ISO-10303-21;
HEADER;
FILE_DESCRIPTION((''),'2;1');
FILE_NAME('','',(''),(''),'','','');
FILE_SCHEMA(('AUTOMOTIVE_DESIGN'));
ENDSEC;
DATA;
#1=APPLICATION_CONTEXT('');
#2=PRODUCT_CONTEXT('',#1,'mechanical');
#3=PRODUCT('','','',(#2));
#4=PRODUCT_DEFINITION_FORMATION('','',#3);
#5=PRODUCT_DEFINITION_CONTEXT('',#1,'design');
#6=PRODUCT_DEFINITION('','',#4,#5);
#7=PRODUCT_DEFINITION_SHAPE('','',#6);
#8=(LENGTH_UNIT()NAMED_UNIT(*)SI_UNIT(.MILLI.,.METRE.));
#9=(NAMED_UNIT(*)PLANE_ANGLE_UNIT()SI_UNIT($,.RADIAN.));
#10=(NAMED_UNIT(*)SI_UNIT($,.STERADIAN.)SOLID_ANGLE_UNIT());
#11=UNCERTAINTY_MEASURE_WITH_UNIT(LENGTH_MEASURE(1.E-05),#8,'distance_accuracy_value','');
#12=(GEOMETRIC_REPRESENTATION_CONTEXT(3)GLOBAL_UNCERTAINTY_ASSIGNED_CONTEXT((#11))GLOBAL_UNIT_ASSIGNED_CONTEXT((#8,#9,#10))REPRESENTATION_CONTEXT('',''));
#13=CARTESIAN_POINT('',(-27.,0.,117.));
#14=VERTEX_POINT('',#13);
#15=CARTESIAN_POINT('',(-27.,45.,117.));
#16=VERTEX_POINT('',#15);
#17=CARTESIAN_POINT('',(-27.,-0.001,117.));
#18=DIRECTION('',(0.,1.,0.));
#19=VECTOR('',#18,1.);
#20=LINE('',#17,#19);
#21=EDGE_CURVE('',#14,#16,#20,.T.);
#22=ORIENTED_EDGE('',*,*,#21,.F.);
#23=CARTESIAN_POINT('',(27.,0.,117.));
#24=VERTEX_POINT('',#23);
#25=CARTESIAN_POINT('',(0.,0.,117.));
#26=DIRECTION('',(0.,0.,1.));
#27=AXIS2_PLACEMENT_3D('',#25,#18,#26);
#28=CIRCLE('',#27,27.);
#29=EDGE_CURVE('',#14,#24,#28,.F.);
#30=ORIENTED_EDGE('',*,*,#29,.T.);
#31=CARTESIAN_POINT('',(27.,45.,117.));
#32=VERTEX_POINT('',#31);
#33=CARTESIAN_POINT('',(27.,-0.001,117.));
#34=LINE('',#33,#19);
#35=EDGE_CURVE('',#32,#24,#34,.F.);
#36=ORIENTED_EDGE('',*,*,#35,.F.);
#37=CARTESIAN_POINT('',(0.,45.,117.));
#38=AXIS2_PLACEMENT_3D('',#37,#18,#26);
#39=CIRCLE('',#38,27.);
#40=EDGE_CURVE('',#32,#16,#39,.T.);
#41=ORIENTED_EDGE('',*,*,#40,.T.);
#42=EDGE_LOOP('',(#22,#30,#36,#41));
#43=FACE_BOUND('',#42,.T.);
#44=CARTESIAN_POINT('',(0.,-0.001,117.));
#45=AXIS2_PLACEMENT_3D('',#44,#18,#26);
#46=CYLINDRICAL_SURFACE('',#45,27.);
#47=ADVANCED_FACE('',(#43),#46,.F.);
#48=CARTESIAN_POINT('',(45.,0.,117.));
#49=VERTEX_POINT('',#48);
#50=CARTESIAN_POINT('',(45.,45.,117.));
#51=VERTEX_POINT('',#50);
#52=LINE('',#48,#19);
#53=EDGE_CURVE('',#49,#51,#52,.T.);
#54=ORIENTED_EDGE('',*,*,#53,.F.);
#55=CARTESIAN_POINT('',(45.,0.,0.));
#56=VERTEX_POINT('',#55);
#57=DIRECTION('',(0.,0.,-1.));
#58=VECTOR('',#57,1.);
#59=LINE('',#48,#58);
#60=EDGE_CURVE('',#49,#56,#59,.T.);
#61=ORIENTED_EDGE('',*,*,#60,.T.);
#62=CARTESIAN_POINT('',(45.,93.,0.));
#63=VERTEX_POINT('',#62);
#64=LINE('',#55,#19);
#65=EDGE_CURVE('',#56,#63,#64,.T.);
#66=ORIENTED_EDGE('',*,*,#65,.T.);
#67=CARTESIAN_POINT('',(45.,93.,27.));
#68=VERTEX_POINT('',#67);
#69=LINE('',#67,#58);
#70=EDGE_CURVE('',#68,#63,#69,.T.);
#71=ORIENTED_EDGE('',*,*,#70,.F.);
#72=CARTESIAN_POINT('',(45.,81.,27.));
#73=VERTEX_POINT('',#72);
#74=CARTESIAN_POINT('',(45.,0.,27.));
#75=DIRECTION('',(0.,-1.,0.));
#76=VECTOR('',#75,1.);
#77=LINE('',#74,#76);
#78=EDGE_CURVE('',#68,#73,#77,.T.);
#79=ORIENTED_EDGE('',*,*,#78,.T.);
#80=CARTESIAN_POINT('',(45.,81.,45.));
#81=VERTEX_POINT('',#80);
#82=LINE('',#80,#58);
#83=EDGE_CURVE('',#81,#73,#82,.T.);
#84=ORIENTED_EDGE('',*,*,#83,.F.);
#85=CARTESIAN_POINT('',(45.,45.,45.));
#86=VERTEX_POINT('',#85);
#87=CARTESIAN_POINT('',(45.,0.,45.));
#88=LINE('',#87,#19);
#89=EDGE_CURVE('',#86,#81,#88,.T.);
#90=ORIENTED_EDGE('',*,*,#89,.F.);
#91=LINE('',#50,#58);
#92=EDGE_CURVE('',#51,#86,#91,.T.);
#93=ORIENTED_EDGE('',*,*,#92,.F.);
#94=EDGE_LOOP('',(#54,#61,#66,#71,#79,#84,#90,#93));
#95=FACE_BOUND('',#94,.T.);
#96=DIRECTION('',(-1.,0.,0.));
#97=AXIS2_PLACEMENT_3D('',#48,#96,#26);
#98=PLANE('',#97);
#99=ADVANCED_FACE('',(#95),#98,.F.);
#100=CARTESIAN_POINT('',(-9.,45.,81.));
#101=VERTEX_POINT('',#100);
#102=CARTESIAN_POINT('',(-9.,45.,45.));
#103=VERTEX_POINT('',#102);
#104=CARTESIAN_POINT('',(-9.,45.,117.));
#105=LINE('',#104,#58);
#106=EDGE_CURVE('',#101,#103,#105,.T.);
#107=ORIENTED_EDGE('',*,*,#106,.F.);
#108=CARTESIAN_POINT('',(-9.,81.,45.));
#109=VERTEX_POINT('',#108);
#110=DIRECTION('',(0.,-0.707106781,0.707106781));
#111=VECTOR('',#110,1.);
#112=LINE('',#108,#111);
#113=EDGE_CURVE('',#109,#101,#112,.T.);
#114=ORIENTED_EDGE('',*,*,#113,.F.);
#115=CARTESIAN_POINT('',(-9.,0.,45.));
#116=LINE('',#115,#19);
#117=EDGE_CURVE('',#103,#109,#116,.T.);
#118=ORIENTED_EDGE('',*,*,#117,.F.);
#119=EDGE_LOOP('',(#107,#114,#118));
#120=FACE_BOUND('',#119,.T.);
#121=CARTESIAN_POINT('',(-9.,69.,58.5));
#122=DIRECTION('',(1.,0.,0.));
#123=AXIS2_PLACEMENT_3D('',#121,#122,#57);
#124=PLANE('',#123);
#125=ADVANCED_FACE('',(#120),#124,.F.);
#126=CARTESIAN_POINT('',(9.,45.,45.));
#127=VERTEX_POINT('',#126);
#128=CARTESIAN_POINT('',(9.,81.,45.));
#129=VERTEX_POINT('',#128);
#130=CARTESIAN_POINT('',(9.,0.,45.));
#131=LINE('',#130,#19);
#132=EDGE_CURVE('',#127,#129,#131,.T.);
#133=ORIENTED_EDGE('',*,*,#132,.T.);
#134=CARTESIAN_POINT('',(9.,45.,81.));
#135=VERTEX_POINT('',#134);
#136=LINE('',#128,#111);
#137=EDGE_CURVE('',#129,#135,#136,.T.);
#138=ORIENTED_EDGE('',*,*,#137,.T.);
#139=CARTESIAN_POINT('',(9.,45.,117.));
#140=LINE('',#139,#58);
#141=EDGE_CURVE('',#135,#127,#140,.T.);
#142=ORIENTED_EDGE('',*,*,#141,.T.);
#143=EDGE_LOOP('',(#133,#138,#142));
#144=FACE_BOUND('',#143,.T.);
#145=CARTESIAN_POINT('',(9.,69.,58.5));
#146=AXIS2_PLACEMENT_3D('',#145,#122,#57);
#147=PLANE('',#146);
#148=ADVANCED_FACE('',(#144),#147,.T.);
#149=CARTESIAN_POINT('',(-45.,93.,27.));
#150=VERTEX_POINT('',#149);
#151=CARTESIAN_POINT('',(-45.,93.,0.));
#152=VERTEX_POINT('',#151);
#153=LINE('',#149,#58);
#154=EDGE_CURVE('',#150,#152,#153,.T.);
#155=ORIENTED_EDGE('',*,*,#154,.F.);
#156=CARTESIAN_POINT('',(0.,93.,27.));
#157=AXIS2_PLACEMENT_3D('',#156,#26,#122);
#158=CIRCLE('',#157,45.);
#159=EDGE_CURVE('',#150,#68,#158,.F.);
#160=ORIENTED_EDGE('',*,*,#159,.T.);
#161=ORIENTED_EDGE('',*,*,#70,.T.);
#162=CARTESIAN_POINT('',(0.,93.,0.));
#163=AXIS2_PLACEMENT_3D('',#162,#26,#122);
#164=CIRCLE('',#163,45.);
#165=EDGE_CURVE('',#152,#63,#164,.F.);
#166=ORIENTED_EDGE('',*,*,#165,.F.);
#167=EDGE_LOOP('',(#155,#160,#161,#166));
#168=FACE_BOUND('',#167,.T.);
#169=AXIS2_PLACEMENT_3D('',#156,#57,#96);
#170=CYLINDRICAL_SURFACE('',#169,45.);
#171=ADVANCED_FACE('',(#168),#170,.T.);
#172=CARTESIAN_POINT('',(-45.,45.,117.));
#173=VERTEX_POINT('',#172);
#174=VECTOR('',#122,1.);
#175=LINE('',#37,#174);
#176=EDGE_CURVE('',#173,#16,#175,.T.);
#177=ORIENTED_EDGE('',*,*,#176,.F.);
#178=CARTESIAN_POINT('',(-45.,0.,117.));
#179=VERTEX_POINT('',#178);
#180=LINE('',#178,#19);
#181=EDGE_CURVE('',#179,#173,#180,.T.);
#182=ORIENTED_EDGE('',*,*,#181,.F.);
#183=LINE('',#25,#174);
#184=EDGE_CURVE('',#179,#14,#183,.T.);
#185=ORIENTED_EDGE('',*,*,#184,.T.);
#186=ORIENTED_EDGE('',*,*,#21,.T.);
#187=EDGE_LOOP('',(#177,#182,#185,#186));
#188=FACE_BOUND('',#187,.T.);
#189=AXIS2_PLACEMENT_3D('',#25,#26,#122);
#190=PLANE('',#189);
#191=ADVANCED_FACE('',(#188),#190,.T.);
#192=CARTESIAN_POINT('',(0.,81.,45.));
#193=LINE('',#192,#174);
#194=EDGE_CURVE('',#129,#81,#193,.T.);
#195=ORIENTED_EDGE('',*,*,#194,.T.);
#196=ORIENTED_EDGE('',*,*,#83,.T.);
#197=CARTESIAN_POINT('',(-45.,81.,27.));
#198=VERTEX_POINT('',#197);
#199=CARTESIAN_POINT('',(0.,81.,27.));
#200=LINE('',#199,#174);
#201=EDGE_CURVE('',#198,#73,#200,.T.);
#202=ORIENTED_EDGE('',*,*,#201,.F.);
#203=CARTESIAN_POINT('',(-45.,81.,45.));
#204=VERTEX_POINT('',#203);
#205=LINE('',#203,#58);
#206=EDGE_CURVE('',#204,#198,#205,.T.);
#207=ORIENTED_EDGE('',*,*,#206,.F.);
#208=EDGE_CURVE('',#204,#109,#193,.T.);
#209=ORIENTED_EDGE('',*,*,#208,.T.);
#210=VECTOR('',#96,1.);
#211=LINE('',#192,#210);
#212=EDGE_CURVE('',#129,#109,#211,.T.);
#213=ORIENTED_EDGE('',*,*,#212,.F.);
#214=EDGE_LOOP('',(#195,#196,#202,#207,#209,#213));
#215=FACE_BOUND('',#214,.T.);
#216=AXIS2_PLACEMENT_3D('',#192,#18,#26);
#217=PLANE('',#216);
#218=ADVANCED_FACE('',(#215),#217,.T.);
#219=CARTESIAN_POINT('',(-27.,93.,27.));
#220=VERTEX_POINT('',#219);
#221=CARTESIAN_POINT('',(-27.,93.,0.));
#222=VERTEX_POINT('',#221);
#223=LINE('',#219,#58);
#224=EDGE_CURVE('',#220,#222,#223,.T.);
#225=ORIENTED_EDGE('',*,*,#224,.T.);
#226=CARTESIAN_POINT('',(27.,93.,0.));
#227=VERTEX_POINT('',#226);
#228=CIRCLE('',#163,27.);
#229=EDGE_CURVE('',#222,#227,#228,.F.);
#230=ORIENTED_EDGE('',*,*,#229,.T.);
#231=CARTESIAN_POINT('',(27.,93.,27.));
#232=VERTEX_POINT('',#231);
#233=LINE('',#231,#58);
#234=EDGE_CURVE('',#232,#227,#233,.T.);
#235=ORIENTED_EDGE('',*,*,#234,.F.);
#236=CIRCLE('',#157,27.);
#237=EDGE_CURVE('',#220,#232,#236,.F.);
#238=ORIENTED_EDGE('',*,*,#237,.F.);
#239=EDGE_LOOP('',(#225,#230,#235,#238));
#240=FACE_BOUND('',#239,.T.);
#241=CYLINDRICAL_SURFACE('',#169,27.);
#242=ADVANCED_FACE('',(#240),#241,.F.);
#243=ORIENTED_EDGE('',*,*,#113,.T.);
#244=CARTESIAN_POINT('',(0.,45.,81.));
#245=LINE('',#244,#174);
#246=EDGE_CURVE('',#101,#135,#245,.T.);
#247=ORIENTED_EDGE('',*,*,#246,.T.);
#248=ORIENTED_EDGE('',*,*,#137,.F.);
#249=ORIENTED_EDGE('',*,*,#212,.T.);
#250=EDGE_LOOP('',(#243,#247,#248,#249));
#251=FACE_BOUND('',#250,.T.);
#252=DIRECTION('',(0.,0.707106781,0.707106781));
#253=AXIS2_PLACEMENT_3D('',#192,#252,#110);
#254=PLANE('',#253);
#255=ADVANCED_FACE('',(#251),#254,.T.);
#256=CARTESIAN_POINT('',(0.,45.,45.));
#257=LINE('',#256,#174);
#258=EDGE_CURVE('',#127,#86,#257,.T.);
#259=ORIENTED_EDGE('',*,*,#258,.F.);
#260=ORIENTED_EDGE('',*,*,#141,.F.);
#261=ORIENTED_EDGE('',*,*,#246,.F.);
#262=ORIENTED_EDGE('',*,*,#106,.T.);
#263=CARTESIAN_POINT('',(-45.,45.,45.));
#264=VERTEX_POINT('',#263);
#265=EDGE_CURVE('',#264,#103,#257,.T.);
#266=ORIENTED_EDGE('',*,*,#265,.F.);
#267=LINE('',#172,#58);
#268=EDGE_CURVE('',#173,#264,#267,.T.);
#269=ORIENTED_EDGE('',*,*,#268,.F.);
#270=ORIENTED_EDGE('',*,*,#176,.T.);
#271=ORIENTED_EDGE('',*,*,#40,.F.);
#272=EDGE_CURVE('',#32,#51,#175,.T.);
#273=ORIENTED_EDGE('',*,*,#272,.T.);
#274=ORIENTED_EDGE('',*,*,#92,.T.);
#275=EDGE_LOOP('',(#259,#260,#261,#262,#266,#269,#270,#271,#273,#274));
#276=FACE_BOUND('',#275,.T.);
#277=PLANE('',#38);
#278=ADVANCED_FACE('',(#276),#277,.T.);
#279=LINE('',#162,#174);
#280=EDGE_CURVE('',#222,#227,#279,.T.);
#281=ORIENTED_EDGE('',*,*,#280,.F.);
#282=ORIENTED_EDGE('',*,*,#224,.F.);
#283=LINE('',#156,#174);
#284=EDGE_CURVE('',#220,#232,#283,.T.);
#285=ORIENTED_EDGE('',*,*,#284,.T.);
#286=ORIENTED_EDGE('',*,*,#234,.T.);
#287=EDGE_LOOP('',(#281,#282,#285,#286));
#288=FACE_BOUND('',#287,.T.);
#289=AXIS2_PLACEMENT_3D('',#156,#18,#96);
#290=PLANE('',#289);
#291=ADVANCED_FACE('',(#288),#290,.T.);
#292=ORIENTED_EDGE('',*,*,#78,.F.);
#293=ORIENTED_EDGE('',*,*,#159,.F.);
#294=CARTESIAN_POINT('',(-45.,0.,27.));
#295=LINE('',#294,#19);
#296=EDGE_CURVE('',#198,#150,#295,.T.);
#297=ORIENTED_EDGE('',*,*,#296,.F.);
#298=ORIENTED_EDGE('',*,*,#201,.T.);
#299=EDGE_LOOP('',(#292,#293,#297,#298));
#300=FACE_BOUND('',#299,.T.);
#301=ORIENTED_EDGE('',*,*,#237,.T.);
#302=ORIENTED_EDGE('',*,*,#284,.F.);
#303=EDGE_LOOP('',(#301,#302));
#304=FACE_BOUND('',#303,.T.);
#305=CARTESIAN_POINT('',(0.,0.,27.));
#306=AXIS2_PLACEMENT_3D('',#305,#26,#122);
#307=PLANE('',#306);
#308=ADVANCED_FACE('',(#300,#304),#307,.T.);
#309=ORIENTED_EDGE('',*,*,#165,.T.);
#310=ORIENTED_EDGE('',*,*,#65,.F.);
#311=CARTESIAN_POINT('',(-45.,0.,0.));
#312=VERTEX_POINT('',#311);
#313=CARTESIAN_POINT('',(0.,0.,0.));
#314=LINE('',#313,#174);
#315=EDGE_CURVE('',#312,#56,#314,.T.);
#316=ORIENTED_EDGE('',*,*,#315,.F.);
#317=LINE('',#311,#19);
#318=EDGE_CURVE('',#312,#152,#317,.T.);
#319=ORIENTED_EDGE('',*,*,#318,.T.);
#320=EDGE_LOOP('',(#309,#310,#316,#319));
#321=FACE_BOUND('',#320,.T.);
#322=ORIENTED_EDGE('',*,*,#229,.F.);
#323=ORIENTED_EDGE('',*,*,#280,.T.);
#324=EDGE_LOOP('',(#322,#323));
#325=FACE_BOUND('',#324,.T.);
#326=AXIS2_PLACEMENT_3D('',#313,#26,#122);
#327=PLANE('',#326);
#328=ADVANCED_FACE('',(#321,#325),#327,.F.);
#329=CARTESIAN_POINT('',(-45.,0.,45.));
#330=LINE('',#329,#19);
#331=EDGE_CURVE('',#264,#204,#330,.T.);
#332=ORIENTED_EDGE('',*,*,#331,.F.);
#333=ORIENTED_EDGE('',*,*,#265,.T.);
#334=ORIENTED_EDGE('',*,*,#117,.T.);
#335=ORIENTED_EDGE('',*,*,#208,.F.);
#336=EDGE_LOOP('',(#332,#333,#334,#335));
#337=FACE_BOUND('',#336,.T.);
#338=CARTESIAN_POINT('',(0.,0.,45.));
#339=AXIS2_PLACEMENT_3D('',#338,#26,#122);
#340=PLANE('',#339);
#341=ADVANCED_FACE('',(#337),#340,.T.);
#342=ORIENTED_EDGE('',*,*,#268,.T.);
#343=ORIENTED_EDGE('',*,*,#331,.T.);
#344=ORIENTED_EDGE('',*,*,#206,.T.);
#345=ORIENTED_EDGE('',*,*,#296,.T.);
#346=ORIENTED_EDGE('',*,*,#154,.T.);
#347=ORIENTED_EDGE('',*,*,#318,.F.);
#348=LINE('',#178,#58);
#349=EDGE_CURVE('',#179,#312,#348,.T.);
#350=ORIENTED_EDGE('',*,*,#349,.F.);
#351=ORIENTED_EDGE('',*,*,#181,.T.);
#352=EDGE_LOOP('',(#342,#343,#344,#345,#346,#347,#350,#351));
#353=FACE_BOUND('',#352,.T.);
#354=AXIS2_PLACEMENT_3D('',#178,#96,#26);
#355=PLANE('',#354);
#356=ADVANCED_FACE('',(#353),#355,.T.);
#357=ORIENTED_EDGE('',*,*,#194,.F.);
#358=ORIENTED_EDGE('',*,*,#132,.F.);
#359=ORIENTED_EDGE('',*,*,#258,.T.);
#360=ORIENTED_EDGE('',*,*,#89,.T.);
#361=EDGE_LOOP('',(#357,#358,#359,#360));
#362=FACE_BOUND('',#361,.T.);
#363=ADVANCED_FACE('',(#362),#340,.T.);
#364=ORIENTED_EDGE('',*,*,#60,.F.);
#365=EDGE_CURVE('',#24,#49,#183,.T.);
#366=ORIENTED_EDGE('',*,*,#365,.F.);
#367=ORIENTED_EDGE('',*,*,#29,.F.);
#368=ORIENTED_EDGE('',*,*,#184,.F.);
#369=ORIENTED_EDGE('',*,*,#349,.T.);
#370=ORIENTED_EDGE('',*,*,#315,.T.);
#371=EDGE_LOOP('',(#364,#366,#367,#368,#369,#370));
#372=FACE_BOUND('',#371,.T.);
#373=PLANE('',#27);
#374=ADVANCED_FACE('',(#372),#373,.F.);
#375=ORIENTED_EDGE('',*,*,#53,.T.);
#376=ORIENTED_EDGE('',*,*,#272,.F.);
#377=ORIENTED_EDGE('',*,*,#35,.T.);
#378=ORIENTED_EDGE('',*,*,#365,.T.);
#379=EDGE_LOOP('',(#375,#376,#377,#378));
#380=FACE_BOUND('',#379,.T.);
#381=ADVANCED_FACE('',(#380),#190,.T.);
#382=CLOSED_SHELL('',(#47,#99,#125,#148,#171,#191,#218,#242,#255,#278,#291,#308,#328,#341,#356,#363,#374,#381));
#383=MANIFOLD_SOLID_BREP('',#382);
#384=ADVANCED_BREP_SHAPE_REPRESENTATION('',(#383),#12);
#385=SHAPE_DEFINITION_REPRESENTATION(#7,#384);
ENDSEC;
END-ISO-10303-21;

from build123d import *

# Parameters (mm, degrees)
SKETCH1_W           = 90
SKETCH1_H           = 45
BOSS_EXTRUDE1_DEPTH = 117
SKETCH1_3_W         = 90
SKETCH1_3_H         = 36
BOSS_EXTRUDE2_DEPTH = 45
BOSS_EXTRUDE3_DEPTH = 27
RIB2_REACH          = 188.435
SKETCH2_WALL_W      = 425.781638764
SKETCH2_WALL_H      = 18
CUT_EXTRUDE1_REACH  = 158.087
SKETCH3_R           = 27


with BuildPart() as part:
    # Sketch1 → Boss-Extrude1 (new body)
    with BuildSketch(Plane.XY):
        with Locations((0, 22.5)):
            Rectangle(SKETCH1_W, SKETCH1_H)
    extrude(amount=BOSS_EXTRUDE1_DEPTH)

    # Sketch1<3> → Boss-Extrude2 (add)
    with BuildSketch(Plane.XY):
        with Locations((0, 63)):
            Rectangle(SKETCH1_3_W, SKETCH1_3_H)
    extrude(amount=BOSS_EXTRUDE2_DEPTH)

    # Sketch1<4> → Boss-Extrude3 (add)
    with BuildSketch(Plane.XY):
        with BuildLine():
            Line((-45, 93), (-45, 81))
            Line((-45, 81), (45, 81))
            Line((45, 81), (45, 93))
            ThreePointArc((45, 93), (0, 138), (-45, 93))
        make_face()
        with BuildLine():
            Line((27, 93), (-27, 93))
            ThreePointArc((-27, 93), (0, 120), (27, 93))
        make_face(mode=Mode.SUBTRACT)
    extrude(amount=BOSS_EXTRUDE3_DEPTH)

    # Sketch2 wall → Rib2 (add, up to next)
    with BuildSketch(Plane(origin=(0, 63, 63), x_dir=(0, -0.707106781187, 0.707106781187), z_dir=(0, -0.707106781187, -0.707106781187)), mode=Mode.PRIVATE) as rib2_sk1:
        Rectangle(SKETCH2_WALL_W, SKETCH2_WALL_H)
    rib2_tool1 = extrude(rib2_sk1.sketch, amount=RIB2_REACH, mode=Mode.PRIVATE) - part.part
    add(rib2_tool1.solids().sort_by_distance((0, 63, 63))[0])

    # Sketch3 → Cut-Extrude1 (cut, up to next)
    with BuildSketch(Plane(origin=(0, 45, 0), x_dir=(1, 0, 0), z_dir=(0, 1, 0)), mode=Mode.PRIVATE) as cut_extrude1_sk1:
        with Locations((0, -117)):
            Circle(SKETCH3_R)
    cut_extrude1_tool1 = extrude(cut_extrude1_sk1.sketch, amount=-CUT_EXTRUDE1_REACH, mode=Mode.PRIVATE) & part.part
    add(cut_extrude1_tool1.solids().sort_by_distance((0, 45, 117))[0], mode=Mode.SUBTRACT)


solid = part.part
